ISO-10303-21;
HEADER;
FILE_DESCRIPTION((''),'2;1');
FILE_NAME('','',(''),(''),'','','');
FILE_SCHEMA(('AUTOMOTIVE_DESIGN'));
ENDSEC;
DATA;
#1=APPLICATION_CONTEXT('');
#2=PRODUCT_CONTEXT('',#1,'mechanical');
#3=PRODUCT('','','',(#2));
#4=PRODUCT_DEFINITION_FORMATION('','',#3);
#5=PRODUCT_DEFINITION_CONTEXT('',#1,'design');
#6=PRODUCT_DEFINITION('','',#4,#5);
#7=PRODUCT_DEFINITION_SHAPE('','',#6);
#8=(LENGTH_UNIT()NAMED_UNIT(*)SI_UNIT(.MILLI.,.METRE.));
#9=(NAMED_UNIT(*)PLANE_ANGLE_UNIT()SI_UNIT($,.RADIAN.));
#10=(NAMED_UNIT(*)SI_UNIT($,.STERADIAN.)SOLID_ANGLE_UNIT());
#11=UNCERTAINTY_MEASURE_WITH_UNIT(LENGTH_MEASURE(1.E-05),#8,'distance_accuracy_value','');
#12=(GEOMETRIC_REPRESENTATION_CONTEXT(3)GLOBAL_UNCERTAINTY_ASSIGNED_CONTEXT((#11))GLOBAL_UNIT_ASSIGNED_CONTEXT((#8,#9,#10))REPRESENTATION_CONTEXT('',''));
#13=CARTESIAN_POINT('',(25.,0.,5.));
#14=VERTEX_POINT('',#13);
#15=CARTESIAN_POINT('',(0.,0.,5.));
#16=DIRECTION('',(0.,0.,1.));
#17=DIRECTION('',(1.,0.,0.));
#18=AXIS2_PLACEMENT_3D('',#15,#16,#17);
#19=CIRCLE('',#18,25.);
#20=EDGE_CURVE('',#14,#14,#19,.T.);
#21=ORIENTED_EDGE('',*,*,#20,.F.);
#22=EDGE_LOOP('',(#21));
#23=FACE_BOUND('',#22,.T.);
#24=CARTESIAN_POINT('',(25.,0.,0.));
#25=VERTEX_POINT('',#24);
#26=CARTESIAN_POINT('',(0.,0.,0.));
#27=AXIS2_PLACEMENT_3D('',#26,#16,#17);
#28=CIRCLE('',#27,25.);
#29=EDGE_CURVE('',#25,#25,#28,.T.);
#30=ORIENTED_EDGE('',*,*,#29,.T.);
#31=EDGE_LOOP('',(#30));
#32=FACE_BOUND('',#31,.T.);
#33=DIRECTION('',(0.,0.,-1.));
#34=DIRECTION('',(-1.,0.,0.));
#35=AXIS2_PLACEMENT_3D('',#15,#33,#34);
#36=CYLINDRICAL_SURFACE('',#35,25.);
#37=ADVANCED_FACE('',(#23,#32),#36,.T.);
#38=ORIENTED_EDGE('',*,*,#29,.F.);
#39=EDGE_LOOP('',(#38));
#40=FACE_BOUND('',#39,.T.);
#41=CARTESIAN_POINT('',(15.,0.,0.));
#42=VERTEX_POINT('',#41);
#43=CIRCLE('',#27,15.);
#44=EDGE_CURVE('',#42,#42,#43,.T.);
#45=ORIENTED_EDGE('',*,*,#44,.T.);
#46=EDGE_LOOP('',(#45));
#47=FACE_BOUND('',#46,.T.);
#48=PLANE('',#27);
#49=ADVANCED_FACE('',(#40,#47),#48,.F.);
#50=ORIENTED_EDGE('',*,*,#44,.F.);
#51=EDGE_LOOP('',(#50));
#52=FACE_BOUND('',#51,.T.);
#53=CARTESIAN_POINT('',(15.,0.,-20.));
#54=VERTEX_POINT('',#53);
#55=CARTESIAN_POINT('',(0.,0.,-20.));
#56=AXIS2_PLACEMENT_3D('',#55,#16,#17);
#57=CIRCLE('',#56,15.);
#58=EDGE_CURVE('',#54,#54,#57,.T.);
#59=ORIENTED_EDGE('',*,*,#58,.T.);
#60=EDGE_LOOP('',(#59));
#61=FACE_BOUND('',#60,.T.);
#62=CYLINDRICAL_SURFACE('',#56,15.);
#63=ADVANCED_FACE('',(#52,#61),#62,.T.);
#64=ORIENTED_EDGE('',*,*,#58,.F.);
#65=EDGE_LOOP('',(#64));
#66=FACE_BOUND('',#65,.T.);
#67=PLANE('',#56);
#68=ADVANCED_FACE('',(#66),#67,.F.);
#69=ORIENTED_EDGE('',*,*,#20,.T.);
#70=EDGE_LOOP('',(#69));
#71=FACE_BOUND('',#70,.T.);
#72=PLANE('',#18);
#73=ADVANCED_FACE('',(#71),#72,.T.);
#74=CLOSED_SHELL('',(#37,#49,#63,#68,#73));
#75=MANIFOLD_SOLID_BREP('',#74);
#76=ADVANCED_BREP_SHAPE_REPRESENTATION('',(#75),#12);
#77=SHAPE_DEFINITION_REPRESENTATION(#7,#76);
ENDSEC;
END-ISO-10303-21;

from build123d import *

# Parameters (mm, degrees)
SKETCH1_R           = 25
BOSS_EXTRUDE8_DEPTH = 5
SKETCH1_19_R        = 15
BOSS_EXTRUDE9_DEPTH = 20


with BuildPart() as part:
    # Sketch1 → Boss-Extrude8 (new body)
    with BuildSketch(Plane.XY):
        Circle(SKETCH1_R)
    extrude(amount=BOSS_EXTRUDE8_DEPTH)

    # Sketch1<19> → Boss-Extrude9 (add)
    with BuildSketch(Plane.XY):
        Circle(SKETCH1_19_R)
    extrude(amount=-BOSS_EXTRUDE9_DEPTH)


solid = part.part
